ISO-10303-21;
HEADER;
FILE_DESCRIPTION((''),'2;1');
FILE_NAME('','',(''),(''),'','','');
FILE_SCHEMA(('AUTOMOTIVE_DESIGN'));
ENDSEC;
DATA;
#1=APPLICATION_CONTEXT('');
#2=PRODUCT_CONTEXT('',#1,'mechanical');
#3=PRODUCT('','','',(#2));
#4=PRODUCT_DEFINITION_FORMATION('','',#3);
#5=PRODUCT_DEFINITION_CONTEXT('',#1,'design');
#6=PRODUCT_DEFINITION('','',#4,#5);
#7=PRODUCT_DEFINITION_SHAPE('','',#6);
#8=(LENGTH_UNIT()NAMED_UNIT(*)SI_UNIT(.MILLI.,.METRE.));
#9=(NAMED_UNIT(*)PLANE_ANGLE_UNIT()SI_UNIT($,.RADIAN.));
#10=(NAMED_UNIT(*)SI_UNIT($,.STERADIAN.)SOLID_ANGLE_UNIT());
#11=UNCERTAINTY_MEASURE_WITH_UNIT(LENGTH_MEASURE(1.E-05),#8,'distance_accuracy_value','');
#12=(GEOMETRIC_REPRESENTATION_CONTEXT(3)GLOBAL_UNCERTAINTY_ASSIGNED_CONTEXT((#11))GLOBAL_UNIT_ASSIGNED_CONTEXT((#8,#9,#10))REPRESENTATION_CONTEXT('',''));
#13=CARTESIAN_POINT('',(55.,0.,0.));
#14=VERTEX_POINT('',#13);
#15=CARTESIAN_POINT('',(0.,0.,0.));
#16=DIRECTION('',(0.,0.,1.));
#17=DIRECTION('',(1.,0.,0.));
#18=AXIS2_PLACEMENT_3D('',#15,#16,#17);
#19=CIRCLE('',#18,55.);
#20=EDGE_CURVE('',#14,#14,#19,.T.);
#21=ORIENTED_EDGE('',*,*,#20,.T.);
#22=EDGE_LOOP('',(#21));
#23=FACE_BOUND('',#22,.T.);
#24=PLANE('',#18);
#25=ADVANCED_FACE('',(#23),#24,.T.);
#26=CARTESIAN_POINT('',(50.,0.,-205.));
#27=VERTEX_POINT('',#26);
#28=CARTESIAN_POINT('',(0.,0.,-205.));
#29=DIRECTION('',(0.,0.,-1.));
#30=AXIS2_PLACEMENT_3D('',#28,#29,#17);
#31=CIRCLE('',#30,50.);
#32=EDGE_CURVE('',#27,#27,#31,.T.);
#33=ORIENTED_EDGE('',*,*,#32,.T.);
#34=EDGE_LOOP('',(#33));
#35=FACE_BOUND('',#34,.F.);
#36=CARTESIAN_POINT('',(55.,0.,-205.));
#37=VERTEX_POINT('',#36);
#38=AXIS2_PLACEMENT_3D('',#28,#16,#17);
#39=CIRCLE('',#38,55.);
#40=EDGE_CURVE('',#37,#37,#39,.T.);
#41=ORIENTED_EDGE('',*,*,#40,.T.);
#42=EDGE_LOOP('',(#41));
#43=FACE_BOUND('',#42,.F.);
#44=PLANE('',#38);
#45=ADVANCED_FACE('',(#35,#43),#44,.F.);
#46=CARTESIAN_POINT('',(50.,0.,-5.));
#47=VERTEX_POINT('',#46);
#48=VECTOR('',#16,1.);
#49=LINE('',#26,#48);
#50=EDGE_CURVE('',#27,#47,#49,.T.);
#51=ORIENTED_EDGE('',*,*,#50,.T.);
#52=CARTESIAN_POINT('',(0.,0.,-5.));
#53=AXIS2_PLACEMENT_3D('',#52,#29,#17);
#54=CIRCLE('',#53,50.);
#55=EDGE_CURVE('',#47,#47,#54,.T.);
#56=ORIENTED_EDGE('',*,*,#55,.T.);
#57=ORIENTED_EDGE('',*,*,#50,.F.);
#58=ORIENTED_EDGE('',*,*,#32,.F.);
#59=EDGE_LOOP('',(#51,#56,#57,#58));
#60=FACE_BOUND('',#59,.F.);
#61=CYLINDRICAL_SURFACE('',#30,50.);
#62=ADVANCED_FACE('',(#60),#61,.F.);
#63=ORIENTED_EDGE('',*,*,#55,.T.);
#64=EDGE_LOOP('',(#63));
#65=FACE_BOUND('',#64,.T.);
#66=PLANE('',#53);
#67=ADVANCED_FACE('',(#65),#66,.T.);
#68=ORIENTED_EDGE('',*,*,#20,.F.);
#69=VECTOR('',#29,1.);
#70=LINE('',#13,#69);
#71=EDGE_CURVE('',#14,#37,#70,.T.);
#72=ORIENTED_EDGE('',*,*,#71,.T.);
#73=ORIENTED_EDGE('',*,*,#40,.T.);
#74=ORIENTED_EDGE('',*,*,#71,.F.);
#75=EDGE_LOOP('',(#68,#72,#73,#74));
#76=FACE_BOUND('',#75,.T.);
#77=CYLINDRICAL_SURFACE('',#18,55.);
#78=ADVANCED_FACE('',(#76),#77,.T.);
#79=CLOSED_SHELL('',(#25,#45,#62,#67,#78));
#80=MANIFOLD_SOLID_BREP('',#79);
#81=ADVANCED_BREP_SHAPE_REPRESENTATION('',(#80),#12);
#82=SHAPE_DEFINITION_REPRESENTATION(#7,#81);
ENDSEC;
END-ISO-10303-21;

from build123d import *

# Parameters (mm, degrees)
F0_R     = 55
F1_DEPTH = 205
F2_R     = 50
F3_DEPTH = 200


with BuildPart() as f1:
    # F0 (on Top) → F1 (new body)
    with BuildSketch(Plane.XY):
        Circle(F0_R)
    extrude(amount=-F1_DEPTH)

    # F2 (on face) → F3 (cut)
    with BuildSketch(Plane(origin=(0, 0, -205), x_dir=(1, 0, 0), z_dir=(0, 0, -1))):
        Circle(F2_R)
    extrude(amount=-F3_DEPTH, mode=Mode.SUBTRACT)


solid = f1.part
